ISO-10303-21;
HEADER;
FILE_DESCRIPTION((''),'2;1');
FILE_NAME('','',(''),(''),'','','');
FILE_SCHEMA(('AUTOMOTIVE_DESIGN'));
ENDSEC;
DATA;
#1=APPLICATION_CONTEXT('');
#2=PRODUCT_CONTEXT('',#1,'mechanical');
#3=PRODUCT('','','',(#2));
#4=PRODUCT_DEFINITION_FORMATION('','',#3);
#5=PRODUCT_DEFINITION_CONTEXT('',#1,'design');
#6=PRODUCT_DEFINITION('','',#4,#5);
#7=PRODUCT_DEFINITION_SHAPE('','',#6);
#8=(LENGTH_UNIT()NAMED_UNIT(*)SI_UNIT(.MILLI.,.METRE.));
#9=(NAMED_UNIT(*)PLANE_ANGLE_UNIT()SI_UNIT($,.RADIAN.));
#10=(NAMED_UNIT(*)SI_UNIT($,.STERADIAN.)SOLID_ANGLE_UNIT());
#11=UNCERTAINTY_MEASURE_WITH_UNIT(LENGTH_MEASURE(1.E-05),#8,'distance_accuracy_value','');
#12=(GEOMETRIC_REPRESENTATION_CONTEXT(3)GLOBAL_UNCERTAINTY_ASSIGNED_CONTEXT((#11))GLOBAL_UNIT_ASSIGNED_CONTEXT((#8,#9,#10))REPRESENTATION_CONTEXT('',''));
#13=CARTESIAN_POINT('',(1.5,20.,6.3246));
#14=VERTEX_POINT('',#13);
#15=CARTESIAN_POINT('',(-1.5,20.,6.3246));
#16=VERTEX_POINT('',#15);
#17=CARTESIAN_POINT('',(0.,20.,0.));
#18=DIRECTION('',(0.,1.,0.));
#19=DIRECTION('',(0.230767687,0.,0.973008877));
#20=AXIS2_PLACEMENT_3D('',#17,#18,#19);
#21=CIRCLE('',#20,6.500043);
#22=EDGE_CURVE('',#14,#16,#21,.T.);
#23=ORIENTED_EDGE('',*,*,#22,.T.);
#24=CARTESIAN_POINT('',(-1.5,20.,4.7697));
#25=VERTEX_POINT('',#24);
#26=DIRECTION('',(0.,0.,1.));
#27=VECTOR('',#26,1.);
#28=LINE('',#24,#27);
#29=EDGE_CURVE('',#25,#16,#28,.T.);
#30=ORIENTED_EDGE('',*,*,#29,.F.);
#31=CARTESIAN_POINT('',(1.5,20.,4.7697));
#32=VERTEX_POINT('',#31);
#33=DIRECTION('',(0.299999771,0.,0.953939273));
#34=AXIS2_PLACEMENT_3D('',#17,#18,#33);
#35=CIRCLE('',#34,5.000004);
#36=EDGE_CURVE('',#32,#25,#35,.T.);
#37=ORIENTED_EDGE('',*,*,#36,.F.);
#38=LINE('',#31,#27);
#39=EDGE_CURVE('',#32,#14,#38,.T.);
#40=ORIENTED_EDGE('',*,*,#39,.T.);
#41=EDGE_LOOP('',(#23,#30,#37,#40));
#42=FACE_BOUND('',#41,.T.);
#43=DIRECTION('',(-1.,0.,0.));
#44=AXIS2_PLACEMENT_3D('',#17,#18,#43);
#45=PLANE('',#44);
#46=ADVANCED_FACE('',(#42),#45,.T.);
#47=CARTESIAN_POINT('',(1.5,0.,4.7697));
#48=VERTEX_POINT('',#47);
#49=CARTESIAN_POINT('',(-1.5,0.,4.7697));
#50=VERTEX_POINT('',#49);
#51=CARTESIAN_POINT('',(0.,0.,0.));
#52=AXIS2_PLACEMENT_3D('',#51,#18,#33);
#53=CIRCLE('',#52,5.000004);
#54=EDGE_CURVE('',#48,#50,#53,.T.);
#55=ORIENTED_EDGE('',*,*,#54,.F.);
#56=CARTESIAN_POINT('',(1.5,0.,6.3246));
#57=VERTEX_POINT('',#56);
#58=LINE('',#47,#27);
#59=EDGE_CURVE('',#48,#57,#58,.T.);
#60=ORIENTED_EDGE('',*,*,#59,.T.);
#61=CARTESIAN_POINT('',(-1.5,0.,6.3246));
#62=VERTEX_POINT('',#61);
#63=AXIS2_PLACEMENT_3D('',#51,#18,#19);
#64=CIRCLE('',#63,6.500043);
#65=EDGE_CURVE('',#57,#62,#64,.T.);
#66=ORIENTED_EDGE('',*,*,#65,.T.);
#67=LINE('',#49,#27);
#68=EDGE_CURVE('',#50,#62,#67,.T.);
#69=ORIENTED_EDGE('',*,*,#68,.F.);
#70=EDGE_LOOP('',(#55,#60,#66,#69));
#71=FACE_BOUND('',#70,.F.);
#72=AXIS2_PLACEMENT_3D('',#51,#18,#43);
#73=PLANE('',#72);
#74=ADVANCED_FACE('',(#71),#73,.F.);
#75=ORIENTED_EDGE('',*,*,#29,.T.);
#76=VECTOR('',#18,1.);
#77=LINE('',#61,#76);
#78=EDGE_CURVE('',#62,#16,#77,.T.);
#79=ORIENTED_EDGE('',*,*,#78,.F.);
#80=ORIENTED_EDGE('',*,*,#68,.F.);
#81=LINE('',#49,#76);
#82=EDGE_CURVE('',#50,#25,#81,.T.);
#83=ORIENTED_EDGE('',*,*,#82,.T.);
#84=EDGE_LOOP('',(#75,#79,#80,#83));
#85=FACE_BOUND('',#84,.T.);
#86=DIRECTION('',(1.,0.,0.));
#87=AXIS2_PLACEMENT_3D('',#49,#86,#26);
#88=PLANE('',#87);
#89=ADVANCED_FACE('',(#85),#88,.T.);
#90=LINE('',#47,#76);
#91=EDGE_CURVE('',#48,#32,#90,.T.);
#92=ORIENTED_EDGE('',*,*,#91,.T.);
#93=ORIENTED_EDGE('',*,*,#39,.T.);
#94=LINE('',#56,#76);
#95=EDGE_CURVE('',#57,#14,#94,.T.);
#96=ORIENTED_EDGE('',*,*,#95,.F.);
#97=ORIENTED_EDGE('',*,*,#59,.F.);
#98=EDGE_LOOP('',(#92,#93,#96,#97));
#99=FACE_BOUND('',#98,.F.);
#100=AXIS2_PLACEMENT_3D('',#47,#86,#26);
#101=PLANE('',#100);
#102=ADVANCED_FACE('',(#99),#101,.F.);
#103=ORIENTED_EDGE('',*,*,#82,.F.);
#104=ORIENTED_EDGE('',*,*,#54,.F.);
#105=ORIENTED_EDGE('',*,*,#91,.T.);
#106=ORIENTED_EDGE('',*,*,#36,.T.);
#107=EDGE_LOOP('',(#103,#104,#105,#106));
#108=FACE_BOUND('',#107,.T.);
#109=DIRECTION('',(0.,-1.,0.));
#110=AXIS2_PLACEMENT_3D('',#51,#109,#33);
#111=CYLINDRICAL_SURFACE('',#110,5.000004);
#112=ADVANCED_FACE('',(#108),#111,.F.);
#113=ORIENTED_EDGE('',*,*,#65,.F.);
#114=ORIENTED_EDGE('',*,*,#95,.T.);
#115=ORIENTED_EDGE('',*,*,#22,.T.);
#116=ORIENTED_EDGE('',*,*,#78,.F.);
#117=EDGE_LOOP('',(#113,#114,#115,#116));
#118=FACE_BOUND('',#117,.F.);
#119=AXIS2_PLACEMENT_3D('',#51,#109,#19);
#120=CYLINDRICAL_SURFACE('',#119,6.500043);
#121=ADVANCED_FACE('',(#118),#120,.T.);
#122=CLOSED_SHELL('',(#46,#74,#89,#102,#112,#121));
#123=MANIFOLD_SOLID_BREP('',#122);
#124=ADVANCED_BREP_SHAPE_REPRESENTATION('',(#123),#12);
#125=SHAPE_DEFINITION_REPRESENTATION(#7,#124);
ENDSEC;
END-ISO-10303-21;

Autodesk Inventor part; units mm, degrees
ref_plane "YZ Plane" through (0, 0, 0) normal (1, 0, 0) x (0, 1, 0)
ref_plane "XZ Plane" through (0, 0, 0) normal (0, 1, 0) x (-1, 0, 0)
ref_plane "XY Plane" through (0, 0, 0) normal (0, 0, 1) x (1, 0, 0)
sketch "Sketch1" plane through (0, 0, 0) normal (0, 1, 0) x (-1, 0, 0)
  arc A0 (-1.5, 4.7697) -> (1.5, 4.7697) centre (0, 0) ccw
  arc A1 (-1.5, 6.3246) -> (1.5, 6.3246) centre (0, 0) ccw
  line L0 (0, 5) -> (0, 0) construction
  line L1 (1.5, 4.7697) -> (1.5, 6.3246)
  line L2 (-1.5, 4.7697) -> (-1.5, 6.3246)
  dimension "d0" = 10
  dimension "d1" = 13
  dimension "d5" = 3
extrude "Extrusion1" add sketch "Sketch1" along normal blind 20
properties part number "leverHook"
